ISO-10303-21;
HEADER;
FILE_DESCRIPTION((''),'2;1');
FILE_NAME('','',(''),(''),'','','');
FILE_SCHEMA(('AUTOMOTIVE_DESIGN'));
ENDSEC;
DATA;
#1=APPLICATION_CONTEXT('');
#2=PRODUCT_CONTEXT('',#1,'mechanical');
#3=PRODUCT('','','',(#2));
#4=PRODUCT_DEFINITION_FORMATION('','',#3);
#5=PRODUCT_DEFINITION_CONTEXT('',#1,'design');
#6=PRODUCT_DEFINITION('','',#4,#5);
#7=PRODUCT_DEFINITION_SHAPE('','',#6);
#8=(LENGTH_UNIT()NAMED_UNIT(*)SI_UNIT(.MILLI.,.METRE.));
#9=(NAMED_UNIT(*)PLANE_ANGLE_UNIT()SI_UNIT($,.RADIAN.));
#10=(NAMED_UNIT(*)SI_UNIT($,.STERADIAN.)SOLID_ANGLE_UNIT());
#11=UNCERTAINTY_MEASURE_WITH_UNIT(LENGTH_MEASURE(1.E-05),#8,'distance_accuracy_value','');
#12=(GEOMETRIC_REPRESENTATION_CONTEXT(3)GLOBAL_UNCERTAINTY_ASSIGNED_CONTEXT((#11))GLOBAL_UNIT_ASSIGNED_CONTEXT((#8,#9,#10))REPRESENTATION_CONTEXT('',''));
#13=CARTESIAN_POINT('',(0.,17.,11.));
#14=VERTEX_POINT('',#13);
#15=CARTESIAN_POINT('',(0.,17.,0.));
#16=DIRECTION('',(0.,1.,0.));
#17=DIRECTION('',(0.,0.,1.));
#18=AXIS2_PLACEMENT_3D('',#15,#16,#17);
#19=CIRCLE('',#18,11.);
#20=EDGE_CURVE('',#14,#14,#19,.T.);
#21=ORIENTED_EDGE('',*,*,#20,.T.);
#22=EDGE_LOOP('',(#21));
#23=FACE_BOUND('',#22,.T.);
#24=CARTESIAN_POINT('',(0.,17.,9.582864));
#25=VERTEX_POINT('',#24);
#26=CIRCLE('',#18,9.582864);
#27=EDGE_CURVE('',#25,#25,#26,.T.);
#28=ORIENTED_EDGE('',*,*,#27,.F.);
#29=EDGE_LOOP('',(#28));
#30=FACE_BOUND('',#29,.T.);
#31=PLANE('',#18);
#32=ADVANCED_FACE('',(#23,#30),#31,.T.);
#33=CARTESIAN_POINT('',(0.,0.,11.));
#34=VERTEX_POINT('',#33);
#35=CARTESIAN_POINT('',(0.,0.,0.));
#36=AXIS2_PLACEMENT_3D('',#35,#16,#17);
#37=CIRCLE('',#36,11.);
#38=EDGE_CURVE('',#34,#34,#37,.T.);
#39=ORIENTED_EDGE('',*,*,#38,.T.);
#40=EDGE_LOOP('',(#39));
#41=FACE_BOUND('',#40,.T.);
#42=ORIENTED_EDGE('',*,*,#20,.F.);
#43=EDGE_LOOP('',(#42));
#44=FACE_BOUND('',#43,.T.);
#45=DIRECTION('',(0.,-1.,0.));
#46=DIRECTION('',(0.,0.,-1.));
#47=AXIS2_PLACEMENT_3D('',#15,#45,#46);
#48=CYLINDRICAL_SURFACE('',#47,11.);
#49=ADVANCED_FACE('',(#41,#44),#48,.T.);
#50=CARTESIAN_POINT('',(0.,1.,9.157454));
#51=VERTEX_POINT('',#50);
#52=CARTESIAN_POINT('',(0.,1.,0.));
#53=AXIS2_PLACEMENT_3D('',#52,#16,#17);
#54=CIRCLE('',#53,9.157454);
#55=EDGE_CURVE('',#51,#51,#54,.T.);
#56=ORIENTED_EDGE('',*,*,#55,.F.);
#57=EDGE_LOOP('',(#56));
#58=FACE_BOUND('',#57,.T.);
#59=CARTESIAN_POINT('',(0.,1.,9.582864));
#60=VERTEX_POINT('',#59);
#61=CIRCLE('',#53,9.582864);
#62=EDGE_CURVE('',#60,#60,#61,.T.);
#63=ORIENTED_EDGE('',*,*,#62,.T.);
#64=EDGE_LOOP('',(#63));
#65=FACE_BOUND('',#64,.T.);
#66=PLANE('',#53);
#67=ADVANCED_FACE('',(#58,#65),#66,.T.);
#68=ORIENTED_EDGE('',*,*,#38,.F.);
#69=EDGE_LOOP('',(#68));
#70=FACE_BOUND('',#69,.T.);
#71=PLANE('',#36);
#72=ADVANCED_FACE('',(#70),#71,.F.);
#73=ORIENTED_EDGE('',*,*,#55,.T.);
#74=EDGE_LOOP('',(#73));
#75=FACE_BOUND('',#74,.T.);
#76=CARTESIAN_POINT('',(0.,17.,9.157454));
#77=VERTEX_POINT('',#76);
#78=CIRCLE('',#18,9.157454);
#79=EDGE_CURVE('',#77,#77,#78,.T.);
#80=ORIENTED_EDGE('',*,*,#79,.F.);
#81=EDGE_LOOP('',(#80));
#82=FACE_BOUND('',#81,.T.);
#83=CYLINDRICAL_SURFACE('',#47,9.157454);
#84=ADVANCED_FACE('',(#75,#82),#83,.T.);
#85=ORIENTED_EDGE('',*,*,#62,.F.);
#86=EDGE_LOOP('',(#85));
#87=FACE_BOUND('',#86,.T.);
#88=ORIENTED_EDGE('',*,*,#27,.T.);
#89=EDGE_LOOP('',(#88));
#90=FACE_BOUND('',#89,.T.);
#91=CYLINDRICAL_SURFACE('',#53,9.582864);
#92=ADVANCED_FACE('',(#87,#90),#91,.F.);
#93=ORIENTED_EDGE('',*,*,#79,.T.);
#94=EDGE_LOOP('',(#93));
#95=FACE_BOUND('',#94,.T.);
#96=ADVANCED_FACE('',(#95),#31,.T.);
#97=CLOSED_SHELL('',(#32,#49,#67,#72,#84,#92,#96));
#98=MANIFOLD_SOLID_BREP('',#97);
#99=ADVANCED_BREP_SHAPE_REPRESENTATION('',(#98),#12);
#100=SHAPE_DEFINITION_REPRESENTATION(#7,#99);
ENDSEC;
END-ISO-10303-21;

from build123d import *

# Parameters (mm, degrees)
SKETCH_1_R          = 11
EXTRUDE_1_DEPTH     = 17
SKETCH_2_R          = 9.582864225
CUT_EXTRUDE_1_DEPTH = 16
SKETCH_3_R          = 9.157454318
EXTRUDE_2_DEPTH     = 16


with BuildPart() as part:
    # 草图1 → 凸台-拉伸1 (new body)
    with BuildSketch(Plane(origin=(0, 0, 0), x_dir=(1, 0, 0), z_dir=(0, 1, 0))):
        with Locations(Location((0, 0, 0), (0, 0, 270))):
            Circle(SKETCH_1_R)
    extrude(amount=EXTRUDE_1_DEPTH)

    # 草图2 → 切除-拉伸1 (cut)
    with BuildSketch(Plane(origin=(0, 17, 0), x_dir=(1, 0, 0), z_dir=(0, 1, 0))):
        with Locations(Location((0, 0, 0), (0, 0, 270))):
            Circle(SKETCH_2_R)
    extrude(amount=-CUT_EXTRUDE_1_DEPTH, mode=Mode.SUBTRACT)

    # 草图3 → 凸台-拉伸2 (add)
    with BuildSketch(Plane(origin=(0, 1, 0), x_dir=(1, 0, 0), z_dir=(0, 1, 0))):
        with Locations(Location((0, 0, 0), (0, 0, 270))):
            Circle(SKETCH_3_R)
    extrude(amount=EXTRUDE_2_DEPTH)


solid = part.part
